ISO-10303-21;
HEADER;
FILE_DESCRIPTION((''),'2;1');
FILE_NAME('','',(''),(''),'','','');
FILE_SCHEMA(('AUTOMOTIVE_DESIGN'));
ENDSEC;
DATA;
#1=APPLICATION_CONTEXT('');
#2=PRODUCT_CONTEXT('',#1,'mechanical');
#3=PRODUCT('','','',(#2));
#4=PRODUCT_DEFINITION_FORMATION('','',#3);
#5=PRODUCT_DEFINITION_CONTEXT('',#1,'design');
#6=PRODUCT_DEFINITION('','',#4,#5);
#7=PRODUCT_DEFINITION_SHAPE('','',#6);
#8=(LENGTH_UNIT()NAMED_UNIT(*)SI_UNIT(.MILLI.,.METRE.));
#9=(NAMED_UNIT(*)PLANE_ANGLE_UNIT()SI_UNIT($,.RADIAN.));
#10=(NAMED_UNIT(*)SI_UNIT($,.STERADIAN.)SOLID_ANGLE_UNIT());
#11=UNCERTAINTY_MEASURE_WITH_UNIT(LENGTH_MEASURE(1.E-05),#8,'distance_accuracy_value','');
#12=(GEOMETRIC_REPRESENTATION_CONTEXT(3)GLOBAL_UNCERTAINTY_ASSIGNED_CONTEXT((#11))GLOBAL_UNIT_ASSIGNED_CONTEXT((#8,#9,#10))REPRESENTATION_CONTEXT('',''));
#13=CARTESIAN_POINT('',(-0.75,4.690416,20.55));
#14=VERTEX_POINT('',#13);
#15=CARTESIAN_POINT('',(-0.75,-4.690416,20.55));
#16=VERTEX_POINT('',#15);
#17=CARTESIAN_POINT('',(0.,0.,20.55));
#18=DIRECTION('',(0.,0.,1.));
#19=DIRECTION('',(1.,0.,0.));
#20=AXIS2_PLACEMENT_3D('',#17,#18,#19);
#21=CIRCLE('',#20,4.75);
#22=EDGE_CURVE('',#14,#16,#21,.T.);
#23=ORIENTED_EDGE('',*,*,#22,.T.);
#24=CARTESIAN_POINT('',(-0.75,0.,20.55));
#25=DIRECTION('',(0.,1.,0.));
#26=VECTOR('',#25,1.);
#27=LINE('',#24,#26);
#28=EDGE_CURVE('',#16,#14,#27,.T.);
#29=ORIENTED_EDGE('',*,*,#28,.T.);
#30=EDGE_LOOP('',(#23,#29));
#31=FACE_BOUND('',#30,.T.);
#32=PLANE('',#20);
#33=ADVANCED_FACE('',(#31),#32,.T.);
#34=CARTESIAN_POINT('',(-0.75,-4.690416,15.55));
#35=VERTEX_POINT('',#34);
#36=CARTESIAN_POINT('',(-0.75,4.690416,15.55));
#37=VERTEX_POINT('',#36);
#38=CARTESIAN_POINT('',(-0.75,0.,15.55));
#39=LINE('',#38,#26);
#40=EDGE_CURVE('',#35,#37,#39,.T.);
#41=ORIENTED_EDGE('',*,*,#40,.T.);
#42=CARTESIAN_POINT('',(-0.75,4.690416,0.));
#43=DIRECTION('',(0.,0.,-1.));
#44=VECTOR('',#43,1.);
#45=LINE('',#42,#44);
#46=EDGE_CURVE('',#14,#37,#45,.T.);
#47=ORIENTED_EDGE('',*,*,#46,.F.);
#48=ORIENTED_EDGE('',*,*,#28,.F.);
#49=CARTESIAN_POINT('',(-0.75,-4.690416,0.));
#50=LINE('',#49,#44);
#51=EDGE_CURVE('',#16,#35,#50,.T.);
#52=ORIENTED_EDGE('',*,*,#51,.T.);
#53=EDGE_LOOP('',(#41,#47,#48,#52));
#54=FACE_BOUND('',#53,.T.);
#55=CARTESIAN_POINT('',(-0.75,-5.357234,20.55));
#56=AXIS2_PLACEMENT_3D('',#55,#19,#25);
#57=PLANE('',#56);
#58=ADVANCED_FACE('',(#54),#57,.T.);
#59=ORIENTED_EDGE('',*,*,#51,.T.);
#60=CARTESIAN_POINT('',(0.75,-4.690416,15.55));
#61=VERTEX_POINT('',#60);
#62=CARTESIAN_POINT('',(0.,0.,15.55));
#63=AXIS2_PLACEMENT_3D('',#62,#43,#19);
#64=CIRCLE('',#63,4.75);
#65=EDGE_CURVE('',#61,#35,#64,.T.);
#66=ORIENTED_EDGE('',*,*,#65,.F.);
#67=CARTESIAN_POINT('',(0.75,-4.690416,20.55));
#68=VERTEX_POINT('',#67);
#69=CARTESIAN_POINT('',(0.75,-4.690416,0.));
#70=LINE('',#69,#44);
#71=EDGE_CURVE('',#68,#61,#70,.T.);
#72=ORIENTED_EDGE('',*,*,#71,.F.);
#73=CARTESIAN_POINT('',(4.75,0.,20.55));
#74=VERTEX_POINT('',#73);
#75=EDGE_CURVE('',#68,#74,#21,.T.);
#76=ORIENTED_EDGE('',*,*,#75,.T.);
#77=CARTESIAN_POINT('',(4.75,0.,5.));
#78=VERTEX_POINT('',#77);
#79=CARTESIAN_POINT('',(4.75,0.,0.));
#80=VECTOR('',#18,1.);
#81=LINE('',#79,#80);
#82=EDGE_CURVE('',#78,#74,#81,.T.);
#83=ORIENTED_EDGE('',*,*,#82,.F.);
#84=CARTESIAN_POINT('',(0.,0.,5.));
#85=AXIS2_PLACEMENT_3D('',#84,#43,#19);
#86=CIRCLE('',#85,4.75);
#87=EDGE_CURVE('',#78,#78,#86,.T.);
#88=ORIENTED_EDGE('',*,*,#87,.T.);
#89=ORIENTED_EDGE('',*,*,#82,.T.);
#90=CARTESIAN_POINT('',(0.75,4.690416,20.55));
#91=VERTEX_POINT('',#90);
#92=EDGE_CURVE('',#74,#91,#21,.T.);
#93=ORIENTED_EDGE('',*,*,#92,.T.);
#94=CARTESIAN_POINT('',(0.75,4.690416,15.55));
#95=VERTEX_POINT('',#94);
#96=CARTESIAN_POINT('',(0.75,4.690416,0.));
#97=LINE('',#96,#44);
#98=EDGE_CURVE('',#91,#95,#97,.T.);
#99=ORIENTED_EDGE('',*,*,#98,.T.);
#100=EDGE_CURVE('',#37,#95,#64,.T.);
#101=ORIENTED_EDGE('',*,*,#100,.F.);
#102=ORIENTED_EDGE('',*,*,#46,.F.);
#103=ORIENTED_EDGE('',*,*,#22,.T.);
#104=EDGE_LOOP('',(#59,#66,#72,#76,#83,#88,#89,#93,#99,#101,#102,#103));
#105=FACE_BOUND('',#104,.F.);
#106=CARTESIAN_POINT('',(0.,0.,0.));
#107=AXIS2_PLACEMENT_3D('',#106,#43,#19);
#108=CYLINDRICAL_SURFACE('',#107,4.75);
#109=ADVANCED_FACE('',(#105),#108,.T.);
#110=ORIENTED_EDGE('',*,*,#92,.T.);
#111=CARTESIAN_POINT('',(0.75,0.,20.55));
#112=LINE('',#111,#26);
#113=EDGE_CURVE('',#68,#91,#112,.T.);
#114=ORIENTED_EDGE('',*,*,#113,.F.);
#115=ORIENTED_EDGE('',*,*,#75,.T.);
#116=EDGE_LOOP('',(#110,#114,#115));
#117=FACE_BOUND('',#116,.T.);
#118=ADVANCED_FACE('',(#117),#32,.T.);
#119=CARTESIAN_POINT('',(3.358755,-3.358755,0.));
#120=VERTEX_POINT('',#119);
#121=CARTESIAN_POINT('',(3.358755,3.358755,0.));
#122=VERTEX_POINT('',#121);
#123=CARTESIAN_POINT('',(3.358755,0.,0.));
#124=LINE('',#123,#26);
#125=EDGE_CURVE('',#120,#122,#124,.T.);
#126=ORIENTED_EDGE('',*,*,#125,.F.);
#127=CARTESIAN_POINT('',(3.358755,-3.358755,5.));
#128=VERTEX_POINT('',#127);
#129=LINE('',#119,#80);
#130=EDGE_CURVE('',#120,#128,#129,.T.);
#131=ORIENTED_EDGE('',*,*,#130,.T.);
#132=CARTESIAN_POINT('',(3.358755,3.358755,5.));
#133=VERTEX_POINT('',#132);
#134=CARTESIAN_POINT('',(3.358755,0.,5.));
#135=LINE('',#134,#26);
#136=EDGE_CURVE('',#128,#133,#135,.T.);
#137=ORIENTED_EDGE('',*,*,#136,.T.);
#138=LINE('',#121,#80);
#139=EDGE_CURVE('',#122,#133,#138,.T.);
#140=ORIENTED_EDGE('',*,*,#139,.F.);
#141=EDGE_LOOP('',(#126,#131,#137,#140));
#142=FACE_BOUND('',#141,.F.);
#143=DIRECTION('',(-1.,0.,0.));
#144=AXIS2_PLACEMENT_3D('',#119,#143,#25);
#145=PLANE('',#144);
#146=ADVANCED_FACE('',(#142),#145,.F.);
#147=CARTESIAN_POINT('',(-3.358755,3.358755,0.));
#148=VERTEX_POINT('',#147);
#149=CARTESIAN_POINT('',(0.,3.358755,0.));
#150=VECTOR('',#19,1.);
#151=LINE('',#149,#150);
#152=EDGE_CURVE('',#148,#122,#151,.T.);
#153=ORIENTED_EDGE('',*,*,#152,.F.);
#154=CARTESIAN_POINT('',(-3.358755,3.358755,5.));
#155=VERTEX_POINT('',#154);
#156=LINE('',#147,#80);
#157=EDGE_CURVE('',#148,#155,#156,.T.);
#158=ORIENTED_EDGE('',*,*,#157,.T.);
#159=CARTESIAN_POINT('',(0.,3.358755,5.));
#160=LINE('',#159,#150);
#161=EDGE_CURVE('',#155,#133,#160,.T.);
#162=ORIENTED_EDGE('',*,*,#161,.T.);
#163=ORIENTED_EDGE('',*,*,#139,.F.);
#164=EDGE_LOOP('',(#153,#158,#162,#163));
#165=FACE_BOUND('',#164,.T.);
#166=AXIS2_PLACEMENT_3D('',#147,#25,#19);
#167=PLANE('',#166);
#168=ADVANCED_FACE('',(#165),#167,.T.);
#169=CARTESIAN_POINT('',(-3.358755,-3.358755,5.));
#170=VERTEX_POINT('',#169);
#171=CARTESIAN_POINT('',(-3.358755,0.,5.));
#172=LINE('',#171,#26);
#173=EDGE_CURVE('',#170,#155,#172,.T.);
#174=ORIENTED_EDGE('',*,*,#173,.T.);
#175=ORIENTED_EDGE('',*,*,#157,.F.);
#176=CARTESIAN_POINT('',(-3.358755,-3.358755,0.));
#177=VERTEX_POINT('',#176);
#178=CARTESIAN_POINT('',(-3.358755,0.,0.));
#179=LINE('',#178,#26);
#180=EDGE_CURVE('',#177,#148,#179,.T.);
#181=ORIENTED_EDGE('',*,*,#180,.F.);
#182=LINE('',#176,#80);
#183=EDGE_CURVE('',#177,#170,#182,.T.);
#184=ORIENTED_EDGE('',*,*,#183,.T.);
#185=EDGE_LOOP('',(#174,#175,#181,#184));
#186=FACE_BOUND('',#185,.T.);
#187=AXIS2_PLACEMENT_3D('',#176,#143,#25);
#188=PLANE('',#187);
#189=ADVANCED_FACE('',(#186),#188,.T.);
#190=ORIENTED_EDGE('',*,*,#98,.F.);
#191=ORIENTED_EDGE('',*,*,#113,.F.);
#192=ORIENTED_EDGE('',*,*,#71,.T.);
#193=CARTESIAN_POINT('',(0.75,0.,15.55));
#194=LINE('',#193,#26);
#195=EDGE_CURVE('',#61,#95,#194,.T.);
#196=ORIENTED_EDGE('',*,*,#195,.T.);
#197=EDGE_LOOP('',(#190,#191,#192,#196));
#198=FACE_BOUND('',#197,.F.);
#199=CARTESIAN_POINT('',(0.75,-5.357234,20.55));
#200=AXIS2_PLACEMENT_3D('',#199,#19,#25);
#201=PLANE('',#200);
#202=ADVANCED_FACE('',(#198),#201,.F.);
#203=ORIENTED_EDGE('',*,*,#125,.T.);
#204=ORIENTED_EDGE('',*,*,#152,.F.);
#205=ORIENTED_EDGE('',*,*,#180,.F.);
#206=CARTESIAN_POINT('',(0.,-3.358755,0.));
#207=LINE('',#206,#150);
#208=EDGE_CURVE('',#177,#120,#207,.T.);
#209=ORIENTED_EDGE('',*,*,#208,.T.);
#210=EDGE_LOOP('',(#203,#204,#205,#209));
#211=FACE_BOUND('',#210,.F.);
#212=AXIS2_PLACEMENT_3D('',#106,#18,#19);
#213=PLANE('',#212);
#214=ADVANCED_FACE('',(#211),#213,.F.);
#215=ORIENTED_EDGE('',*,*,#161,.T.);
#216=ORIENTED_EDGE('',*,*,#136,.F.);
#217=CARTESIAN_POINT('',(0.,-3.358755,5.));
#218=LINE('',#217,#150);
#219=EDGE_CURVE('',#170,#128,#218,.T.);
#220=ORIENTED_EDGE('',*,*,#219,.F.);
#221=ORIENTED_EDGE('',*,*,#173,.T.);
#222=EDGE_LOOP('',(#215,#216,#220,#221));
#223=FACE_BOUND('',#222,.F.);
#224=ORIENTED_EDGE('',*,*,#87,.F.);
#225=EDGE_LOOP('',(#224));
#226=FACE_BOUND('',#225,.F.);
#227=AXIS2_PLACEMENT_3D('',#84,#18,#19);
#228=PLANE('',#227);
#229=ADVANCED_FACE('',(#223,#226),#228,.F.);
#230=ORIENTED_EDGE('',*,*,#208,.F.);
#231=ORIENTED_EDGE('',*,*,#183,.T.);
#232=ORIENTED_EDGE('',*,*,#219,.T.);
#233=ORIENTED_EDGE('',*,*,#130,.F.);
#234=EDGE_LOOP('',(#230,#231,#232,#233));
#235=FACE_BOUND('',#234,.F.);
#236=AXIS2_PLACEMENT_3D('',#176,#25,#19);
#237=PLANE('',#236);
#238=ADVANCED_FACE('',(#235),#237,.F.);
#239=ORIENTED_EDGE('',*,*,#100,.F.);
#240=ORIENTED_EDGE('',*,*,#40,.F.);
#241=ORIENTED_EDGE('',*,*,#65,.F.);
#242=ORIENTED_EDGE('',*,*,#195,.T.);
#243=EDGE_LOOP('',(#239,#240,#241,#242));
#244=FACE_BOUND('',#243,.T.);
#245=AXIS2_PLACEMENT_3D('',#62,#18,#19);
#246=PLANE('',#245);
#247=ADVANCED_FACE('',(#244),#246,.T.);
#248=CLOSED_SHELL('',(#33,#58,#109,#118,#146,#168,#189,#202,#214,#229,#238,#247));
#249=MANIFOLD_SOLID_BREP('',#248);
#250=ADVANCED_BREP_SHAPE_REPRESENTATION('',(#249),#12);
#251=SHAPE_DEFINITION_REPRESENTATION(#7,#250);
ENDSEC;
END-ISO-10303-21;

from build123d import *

# Parameters (mm, degrees)
F0_R     = 4.75
F1_DEPTH = 20.55
F4_W     = 9.6
F4_H     = 9.6
F5_DEPTH = 5
F3_W     = 1.5
F3_H     = 10.714468
F6_DEPTH = 5
F7_W     = 6.71751
F7_H     = 6.71751
F8_DEPTH = 5


with BuildPart() as f1:
    # F0 (on Top) → F1 (new body)
    with BuildSketch(Plane.XY):
        Circle(F0_R)
    extrude(amount=F1_DEPTH)

    # F4 (on Top) → F5 (cut)
    with BuildSketch(Plane.XY):
        Rectangle(F4_W, F4_H)
    extrude(amount=F5_DEPTH, mode=Mode.SUBTRACT)

    # F3 (on offset) → F6 (cut)
    with BuildSketch(Plane.XY.offset(20.55)):
        Rectangle(F3_W, F3_H)
    extrude(amount=-F6_DEPTH, mode=Mode.SUBTRACT)

    # F7 (on Top) → F8 (join)
    with BuildSketch(Plane.XY):
        Rectangle(F7_W, F7_H)
    extrude(amount=F8_DEPTH)


solid = f1.part
